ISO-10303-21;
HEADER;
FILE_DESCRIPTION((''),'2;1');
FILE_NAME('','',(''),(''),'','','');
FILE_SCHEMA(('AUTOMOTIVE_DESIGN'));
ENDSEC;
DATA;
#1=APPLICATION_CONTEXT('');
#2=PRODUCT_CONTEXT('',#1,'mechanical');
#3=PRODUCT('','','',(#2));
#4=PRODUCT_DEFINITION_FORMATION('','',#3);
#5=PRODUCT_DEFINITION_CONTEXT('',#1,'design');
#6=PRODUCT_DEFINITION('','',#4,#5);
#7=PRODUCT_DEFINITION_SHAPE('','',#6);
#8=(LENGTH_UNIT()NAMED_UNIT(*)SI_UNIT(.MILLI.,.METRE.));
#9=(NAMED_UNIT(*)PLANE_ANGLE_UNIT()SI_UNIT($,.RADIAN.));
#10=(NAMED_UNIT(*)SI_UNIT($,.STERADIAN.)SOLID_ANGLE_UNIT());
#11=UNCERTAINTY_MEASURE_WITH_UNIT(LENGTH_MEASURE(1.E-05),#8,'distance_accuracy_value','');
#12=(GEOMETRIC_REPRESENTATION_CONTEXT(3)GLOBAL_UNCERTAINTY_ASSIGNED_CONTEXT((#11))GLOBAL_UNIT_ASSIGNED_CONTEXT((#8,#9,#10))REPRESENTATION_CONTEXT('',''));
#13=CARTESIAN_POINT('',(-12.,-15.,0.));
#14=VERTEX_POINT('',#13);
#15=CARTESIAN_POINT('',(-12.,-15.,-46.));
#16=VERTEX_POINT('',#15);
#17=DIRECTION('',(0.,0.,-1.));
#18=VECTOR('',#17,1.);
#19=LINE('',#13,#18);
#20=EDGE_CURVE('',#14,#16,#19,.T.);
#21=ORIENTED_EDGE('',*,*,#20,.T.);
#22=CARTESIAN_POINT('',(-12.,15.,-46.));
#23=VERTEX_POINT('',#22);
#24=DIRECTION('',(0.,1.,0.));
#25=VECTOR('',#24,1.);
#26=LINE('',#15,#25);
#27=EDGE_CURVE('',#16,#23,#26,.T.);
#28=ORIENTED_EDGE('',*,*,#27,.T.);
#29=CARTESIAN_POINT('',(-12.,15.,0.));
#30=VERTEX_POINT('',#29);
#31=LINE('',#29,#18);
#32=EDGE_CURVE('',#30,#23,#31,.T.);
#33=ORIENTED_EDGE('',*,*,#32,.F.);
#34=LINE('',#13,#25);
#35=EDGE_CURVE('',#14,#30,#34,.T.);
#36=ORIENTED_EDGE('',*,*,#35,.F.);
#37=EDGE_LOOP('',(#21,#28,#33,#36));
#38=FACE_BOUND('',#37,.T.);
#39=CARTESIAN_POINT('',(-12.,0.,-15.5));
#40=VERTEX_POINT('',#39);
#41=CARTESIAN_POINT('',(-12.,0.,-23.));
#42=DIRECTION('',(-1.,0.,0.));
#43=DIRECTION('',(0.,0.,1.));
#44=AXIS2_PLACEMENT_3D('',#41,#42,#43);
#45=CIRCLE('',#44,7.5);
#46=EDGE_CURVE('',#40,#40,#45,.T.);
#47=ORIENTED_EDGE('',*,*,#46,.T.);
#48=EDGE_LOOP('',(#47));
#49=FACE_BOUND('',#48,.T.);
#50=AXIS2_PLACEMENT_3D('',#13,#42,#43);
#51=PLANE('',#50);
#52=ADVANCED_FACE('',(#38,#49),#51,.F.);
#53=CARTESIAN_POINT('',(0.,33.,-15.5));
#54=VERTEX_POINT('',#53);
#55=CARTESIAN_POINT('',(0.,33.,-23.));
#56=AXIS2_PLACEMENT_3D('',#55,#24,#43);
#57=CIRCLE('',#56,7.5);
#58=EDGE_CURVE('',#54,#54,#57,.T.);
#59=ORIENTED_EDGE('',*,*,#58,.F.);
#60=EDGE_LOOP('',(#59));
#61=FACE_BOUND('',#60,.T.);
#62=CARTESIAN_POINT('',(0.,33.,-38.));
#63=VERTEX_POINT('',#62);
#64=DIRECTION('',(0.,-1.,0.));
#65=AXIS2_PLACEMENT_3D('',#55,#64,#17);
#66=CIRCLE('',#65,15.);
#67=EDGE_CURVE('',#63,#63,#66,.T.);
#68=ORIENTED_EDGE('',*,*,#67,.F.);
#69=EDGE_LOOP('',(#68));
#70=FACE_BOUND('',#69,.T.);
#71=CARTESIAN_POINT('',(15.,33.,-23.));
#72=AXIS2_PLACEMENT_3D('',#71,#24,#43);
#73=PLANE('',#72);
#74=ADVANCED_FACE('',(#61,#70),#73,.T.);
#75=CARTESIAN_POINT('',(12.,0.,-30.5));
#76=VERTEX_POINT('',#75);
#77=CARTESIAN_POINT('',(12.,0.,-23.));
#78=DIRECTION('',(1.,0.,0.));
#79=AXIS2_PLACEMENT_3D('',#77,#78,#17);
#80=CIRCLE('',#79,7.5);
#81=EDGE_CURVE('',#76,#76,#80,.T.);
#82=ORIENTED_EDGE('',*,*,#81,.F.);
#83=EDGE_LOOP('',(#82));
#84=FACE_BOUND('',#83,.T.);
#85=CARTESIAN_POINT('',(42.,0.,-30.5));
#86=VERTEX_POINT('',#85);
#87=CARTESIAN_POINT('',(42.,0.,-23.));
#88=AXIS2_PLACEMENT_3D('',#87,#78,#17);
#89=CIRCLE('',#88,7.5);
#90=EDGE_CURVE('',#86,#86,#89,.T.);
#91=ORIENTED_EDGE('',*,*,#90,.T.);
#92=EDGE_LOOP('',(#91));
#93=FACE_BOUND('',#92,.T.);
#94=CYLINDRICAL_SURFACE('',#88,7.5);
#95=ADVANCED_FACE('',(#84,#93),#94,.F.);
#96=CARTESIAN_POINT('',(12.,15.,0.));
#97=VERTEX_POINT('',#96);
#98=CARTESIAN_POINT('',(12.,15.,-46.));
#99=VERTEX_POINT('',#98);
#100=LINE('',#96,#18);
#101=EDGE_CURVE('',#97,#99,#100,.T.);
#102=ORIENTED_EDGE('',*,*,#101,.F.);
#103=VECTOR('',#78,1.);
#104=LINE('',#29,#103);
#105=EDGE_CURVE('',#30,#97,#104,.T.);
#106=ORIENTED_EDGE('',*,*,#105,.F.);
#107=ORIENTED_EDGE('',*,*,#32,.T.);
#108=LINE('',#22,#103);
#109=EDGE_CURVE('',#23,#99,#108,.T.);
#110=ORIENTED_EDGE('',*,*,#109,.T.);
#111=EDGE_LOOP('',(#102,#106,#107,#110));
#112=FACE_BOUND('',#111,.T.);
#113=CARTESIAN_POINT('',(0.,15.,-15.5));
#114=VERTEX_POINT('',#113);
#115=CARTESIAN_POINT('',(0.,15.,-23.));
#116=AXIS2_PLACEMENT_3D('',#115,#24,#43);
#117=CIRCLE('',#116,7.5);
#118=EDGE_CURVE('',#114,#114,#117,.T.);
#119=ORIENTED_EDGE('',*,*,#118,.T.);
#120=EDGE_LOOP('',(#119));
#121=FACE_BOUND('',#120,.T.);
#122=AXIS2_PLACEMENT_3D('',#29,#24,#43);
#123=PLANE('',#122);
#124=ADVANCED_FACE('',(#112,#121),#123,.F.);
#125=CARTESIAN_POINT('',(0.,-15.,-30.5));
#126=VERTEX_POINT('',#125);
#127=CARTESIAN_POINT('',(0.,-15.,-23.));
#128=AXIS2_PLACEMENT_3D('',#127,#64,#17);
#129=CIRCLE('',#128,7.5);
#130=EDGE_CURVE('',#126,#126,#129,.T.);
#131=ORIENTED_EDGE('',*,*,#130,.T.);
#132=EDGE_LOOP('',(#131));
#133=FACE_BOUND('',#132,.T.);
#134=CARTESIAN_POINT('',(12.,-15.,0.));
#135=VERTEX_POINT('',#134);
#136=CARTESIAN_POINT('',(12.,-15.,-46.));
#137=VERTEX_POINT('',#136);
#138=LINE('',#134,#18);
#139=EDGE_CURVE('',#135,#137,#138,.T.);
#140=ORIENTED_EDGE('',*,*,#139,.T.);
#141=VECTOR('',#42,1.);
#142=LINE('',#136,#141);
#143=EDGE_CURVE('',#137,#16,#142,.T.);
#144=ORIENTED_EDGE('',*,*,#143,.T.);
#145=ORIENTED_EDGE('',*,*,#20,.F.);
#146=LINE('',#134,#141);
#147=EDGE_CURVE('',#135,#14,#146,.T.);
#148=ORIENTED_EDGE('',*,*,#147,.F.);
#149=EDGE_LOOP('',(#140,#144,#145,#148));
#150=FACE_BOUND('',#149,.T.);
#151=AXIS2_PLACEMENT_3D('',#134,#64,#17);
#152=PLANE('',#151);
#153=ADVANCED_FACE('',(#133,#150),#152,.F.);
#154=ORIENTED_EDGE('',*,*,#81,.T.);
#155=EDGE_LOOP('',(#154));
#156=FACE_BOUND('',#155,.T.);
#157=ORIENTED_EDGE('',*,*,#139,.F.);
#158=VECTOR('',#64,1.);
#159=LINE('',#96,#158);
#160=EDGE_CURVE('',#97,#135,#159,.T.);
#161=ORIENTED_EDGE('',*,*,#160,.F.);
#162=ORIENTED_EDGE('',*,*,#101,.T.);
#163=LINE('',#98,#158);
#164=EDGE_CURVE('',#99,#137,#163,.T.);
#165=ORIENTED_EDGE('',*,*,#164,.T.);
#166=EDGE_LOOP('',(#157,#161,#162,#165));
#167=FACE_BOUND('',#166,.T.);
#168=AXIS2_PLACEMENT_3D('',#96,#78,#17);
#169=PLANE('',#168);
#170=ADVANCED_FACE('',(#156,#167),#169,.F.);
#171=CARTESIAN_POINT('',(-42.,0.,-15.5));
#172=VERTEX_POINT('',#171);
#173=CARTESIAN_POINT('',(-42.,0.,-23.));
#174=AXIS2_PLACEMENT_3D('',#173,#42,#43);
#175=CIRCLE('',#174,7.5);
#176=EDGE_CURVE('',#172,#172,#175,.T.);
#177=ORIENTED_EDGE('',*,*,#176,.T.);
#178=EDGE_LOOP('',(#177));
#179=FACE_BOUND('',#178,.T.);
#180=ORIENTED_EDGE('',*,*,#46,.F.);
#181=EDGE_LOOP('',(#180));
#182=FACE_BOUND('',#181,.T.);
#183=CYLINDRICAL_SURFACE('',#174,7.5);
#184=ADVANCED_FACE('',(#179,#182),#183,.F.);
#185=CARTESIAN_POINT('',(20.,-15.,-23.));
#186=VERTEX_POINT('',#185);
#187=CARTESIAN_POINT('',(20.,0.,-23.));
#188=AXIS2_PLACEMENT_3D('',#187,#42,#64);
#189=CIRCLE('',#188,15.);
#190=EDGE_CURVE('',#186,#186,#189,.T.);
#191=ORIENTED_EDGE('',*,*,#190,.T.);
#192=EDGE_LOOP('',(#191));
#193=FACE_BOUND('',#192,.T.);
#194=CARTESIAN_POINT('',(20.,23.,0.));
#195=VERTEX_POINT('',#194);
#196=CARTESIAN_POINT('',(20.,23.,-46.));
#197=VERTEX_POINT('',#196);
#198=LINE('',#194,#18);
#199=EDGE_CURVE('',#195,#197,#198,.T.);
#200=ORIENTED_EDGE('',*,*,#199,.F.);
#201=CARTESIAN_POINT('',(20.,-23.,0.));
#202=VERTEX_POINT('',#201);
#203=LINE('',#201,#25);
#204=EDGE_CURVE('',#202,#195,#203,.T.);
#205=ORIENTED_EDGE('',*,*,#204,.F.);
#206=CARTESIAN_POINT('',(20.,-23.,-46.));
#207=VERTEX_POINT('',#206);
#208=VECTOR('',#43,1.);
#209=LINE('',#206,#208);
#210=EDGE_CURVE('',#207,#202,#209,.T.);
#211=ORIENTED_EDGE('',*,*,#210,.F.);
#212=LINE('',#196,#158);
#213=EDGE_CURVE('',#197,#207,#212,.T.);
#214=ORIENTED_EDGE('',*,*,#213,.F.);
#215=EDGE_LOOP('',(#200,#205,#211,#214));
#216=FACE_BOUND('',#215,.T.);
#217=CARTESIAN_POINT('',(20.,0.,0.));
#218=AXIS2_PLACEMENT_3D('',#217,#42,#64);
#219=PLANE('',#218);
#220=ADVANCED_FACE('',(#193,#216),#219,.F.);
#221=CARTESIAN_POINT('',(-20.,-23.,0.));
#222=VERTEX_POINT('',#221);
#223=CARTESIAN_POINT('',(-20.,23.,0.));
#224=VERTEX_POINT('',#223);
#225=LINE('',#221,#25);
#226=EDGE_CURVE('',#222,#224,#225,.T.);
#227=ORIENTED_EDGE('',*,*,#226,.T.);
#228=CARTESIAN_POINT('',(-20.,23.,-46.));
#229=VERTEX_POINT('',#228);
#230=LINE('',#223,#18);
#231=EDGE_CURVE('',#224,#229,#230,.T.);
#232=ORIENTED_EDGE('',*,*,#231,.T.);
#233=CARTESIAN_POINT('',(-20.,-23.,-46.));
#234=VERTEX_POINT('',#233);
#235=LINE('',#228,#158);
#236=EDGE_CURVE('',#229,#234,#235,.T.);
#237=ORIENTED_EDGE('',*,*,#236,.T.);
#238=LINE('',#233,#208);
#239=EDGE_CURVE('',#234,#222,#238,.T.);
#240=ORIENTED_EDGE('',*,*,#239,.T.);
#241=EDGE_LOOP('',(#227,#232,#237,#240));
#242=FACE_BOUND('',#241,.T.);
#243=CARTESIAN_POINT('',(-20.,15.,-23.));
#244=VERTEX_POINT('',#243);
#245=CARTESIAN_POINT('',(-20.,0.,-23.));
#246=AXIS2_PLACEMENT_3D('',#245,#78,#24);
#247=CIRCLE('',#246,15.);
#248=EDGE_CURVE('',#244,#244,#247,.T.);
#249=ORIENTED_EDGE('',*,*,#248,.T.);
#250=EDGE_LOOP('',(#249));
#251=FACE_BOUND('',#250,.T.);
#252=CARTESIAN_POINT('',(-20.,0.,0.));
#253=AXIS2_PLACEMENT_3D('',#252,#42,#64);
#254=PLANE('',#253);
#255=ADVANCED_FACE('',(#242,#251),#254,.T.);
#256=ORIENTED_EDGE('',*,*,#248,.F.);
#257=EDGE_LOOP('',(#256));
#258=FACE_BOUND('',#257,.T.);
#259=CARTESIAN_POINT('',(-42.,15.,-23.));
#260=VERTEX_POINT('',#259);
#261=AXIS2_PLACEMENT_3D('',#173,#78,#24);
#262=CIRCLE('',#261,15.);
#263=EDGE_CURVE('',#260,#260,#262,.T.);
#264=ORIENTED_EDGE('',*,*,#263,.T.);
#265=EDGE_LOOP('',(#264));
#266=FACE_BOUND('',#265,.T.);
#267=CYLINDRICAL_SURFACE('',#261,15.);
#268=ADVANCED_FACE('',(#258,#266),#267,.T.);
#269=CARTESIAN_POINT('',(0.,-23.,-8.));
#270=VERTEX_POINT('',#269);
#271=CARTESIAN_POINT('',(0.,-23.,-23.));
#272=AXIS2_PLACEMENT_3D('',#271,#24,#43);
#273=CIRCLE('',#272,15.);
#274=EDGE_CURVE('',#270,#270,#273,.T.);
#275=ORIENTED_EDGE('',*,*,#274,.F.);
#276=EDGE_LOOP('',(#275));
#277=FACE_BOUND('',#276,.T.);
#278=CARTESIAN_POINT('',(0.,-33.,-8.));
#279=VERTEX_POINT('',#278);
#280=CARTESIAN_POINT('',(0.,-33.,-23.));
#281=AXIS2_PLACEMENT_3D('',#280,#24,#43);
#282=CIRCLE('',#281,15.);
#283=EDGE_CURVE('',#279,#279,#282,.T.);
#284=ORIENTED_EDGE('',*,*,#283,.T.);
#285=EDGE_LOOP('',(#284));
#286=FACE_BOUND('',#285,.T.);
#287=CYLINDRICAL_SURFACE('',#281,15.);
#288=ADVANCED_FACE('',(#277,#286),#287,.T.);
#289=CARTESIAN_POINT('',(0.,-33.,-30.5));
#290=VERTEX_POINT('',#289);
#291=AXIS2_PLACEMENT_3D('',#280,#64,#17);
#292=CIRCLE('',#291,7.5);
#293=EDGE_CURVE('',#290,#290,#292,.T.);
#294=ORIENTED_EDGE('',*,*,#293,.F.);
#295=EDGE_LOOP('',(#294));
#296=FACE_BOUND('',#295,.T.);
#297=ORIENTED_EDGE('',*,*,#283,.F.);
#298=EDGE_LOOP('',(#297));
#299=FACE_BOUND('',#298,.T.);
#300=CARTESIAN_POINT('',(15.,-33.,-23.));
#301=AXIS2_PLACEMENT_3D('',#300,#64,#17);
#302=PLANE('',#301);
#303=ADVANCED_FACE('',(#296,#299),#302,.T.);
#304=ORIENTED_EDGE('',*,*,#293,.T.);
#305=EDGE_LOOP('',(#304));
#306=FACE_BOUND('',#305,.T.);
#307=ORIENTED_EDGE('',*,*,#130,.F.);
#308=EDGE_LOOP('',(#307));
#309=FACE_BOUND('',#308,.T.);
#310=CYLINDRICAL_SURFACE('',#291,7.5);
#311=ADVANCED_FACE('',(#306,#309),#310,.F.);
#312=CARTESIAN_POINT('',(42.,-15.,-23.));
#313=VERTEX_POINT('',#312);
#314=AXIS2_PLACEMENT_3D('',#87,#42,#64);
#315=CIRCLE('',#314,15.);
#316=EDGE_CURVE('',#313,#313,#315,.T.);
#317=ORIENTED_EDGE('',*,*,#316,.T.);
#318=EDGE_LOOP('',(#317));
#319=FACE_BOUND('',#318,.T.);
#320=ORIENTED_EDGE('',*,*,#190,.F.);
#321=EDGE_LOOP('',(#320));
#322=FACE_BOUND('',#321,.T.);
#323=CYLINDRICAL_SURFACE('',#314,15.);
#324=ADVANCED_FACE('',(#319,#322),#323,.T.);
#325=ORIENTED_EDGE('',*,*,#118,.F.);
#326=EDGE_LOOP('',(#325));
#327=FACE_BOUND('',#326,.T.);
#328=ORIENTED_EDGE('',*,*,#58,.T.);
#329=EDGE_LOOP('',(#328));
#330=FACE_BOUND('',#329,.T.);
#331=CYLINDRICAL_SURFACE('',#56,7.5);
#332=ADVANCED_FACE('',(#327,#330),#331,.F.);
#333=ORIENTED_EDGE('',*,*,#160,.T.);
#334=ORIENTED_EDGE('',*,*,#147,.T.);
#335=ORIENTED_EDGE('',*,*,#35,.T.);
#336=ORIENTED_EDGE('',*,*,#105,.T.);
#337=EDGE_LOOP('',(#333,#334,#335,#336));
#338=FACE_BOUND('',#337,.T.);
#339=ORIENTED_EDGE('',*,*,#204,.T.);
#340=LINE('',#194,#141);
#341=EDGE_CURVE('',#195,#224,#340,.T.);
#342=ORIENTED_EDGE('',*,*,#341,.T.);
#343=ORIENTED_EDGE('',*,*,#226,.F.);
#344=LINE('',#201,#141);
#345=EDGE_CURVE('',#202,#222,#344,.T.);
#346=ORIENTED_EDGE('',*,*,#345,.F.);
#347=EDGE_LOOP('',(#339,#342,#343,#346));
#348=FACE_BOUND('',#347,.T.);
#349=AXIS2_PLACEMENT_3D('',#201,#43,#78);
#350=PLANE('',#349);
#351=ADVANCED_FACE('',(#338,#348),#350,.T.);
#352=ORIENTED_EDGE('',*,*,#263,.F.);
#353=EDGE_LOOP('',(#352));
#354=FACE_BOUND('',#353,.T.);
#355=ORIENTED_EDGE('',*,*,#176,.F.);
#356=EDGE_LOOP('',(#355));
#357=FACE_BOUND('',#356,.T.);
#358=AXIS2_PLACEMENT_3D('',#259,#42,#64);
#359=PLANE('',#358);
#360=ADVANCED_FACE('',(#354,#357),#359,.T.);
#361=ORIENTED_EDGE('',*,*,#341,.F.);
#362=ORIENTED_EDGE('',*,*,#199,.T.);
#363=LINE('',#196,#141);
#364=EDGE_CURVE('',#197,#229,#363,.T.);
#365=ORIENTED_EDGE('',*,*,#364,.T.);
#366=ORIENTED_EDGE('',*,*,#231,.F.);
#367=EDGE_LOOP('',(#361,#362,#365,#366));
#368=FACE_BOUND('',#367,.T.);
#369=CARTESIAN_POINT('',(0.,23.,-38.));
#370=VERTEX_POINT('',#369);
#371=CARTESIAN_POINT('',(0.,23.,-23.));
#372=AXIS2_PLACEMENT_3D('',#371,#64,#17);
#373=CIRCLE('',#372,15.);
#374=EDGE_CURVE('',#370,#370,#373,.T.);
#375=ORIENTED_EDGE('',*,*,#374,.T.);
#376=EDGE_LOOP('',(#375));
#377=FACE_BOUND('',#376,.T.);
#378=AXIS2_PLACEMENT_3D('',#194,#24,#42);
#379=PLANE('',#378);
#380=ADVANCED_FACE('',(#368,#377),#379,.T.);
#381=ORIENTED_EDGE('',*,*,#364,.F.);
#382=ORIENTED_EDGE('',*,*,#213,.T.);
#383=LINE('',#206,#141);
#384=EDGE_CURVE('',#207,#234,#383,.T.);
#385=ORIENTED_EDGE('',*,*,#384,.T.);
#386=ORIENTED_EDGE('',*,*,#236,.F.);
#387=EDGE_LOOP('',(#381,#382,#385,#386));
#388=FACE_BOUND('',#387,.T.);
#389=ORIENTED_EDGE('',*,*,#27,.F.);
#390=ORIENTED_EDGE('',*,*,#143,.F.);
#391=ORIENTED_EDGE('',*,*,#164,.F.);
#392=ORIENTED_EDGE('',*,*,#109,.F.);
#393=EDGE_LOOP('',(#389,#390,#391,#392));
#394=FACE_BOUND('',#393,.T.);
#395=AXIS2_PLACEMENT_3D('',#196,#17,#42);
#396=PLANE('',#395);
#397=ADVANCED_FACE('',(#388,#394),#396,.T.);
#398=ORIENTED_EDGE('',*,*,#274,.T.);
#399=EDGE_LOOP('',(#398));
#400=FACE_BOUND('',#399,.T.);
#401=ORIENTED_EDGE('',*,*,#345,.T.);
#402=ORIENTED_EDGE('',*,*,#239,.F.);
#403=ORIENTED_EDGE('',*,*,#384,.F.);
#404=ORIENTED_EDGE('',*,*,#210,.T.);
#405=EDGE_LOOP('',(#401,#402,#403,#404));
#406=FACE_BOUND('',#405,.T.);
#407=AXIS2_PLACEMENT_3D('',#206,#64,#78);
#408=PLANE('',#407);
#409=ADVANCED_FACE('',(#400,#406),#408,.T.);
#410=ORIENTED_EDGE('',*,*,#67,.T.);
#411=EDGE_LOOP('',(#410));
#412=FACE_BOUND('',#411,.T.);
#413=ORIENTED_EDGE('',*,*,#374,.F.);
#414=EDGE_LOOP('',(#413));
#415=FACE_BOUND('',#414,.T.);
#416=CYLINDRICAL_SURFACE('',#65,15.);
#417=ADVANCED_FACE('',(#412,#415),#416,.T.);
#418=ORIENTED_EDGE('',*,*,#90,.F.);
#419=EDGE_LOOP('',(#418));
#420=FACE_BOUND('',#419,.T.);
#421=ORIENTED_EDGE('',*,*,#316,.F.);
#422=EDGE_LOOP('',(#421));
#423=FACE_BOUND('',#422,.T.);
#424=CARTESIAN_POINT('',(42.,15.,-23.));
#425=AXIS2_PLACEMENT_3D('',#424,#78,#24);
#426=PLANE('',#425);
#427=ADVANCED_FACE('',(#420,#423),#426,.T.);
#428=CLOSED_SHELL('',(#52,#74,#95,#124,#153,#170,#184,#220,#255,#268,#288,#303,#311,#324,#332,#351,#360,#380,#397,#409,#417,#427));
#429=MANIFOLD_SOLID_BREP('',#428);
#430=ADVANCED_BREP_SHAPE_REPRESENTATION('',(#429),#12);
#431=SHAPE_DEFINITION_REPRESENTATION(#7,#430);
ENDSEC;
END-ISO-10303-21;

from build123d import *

# Parameters (mm, degrees)
SKETCH1_W                      = 46
SKETCH1_H                      = 46
BOSS_EXTRUDE1_DEPTH            = 40
SKETCH2_W                      = 24
SKETCH2_H                      = 30
CUT_EXTRUDE1_DEPTH             = 56.181518645
SKETCH3_W                      = 15
SKETCH3_H                      = 10
SKETCH4_W                      = 15
SKETCH4_H                      = 10
SKETCH5_W                      = 22
SKETCH5_H                      = 15
SKETCH6_W                      = 22
SKETCH6_H                      = 15
F_15_0_15_DIAMETER_HOLE1_D     = 15
F_15_0_15_DIAMETER_HOLE1_DEPTH = 18
F_15_0_15_DIAMETER_HOLE2_D     = 15
F_15_0_15_DIAMETER_HOLE2_DEPTH = 66
F_15_0_15_DIAMETER_HOLE3_D     = 15
F_15_0_15_DIAMETER_HOLE3_DEPTH = 30
F_15_0_15_DIAMETER_HOLE4_D     = 15
F_15_0_15_DIAMETER_HOLE4_DEPTH = 84


with BuildPart() as part:
    # Sketch1 → Boss-Extrude1 (new body)
    with BuildSketch(Plane(origin=(-20, 0, 0), x_dir=(0, -1, 0), z_dir=(-1, 0, 0))):
        with Locations((0, -23)):
            Rectangle(SKETCH1_W, SKETCH1_H)
    extrude(amount=-BOSS_EXTRUDE1_DEPTH)

    # Sketch2 → Cut-Extrude1 (cut, through all)
    with BuildSketch(Plane(origin=(0, 0, -46), x_dir=(-1, 0, 0), z_dir=(0, 0, -1))):
        Rectangle(SKETCH2_W, SKETCH2_H)
    extrude(amount=-CUT_EXTRUDE1_DEPTH, mode=Mode.SUBTRACT)

    # Sketch3 → Revolve1 (revolve)
    with BuildSketch(Plane(origin=(0, 0, -23), x_dir=(-1, 0, 0), z_dir=(0, 0, -1)), mode=Mode.PRIVATE) as revolve1_sk:
        with Locations((-7.5, -28)):
            Rectangle(SKETCH3_W, SKETCH3_H)
    revolve(revolve1_sk.sketch.rotate(Axis((0, -33, -23), (0, 1, 0)), 270), axis=Axis((0, -33, -23), (0, 1, 0)))

    # Sketch4 → Revolve2 (revolve)
    with BuildSketch(Plane.XY.offset(-23), mode=Mode.PRIVATE) as revolve2_sk:
        with Locations((7.5, 28)):
            Rectangle(SKETCH4_W, SKETCH4_H)
    revolve(revolve2_sk.sketch.rotate(Axis((0, 33, -23), (0, -1, 0)), 270), axis=Axis((0, 33, -23), (0, -1, 0)))

    # Sketch5 → Revolve3 (revolve)
    with BuildSketch(Plane.XY.offset(-23)):
        with Locations((-31, 7.5)):
            Rectangle(SKETCH5_W, SKETCH5_H)
    revolve(axis=Axis((-42, 0, -23), (1, 0, 0)))

    # Sketch6 → Revolve4 (revolve)
    with BuildSketch(Plane(origin=(0, 0, -23), x_dir=(-1, 0, 0), z_dir=(0, 0, -1)), mode=Mode.PRIVATE) as revolve4_sk:
        with Locations((-31, 7.5)):
            Rectangle(SKETCH6_W, SKETCH6_H)
    revolve(revolve4_sk.sketch.rotate(Axis((42, 0, -23), (-1, 0, 0)), 180), axis=Axis((42, 0, -23), (-1, 0, 0)))

    # Ø15.0 (15) Diameter Hole1
    with Locations(Plane(origin=(0, -33, 0), x_dir=(-1, 0, 0), z_dir=(0, -1, 0))):
        with Locations((0, 23)):
            Hole(F_15_0_15_DIAMETER_HOLE1_D / 2, depth=F_15_0_15_DIAMETER_HOLE1_DEPTH)

    # Ø15.0 (15) Diameter Hole2
    with Locations(Plane(origin=(0, 33, 0), x_dir=(1, 0, 0), z_dir=(0, 1, 0))):
        with Locations((0, 23)):
            Hole(F_15_0_15_DIAMETER_HOLE2_D / 2, depth=F_15_0_15_DIAMETER_HOLE2_DEPTH)

    # Ø15.0 (15) Diameter Hole3
    with Locations(Plane.ZY.offset(42)):
        with Locations((-23, 0)):
            Hole(F_15_0_15_DIAMETER_HOLE3_D / 2, depth=F_15_0_15_DIAMETER_HOLE3_DEPTH)

    # Ø15.0 (15) Diameter Hole4
    with Locations(Plane(origin=(42, 0, 0), x_dir=(0, 0, -1), z_dir=(1, 0, 0))):
        with Locations((23, 0)):
            Hole(F_15_0_15_DIAMETER_HOLE4_D / 2, depth=F_15_0_15_DIAMETER_HOLE4_DEPTH)


solid = part.part
